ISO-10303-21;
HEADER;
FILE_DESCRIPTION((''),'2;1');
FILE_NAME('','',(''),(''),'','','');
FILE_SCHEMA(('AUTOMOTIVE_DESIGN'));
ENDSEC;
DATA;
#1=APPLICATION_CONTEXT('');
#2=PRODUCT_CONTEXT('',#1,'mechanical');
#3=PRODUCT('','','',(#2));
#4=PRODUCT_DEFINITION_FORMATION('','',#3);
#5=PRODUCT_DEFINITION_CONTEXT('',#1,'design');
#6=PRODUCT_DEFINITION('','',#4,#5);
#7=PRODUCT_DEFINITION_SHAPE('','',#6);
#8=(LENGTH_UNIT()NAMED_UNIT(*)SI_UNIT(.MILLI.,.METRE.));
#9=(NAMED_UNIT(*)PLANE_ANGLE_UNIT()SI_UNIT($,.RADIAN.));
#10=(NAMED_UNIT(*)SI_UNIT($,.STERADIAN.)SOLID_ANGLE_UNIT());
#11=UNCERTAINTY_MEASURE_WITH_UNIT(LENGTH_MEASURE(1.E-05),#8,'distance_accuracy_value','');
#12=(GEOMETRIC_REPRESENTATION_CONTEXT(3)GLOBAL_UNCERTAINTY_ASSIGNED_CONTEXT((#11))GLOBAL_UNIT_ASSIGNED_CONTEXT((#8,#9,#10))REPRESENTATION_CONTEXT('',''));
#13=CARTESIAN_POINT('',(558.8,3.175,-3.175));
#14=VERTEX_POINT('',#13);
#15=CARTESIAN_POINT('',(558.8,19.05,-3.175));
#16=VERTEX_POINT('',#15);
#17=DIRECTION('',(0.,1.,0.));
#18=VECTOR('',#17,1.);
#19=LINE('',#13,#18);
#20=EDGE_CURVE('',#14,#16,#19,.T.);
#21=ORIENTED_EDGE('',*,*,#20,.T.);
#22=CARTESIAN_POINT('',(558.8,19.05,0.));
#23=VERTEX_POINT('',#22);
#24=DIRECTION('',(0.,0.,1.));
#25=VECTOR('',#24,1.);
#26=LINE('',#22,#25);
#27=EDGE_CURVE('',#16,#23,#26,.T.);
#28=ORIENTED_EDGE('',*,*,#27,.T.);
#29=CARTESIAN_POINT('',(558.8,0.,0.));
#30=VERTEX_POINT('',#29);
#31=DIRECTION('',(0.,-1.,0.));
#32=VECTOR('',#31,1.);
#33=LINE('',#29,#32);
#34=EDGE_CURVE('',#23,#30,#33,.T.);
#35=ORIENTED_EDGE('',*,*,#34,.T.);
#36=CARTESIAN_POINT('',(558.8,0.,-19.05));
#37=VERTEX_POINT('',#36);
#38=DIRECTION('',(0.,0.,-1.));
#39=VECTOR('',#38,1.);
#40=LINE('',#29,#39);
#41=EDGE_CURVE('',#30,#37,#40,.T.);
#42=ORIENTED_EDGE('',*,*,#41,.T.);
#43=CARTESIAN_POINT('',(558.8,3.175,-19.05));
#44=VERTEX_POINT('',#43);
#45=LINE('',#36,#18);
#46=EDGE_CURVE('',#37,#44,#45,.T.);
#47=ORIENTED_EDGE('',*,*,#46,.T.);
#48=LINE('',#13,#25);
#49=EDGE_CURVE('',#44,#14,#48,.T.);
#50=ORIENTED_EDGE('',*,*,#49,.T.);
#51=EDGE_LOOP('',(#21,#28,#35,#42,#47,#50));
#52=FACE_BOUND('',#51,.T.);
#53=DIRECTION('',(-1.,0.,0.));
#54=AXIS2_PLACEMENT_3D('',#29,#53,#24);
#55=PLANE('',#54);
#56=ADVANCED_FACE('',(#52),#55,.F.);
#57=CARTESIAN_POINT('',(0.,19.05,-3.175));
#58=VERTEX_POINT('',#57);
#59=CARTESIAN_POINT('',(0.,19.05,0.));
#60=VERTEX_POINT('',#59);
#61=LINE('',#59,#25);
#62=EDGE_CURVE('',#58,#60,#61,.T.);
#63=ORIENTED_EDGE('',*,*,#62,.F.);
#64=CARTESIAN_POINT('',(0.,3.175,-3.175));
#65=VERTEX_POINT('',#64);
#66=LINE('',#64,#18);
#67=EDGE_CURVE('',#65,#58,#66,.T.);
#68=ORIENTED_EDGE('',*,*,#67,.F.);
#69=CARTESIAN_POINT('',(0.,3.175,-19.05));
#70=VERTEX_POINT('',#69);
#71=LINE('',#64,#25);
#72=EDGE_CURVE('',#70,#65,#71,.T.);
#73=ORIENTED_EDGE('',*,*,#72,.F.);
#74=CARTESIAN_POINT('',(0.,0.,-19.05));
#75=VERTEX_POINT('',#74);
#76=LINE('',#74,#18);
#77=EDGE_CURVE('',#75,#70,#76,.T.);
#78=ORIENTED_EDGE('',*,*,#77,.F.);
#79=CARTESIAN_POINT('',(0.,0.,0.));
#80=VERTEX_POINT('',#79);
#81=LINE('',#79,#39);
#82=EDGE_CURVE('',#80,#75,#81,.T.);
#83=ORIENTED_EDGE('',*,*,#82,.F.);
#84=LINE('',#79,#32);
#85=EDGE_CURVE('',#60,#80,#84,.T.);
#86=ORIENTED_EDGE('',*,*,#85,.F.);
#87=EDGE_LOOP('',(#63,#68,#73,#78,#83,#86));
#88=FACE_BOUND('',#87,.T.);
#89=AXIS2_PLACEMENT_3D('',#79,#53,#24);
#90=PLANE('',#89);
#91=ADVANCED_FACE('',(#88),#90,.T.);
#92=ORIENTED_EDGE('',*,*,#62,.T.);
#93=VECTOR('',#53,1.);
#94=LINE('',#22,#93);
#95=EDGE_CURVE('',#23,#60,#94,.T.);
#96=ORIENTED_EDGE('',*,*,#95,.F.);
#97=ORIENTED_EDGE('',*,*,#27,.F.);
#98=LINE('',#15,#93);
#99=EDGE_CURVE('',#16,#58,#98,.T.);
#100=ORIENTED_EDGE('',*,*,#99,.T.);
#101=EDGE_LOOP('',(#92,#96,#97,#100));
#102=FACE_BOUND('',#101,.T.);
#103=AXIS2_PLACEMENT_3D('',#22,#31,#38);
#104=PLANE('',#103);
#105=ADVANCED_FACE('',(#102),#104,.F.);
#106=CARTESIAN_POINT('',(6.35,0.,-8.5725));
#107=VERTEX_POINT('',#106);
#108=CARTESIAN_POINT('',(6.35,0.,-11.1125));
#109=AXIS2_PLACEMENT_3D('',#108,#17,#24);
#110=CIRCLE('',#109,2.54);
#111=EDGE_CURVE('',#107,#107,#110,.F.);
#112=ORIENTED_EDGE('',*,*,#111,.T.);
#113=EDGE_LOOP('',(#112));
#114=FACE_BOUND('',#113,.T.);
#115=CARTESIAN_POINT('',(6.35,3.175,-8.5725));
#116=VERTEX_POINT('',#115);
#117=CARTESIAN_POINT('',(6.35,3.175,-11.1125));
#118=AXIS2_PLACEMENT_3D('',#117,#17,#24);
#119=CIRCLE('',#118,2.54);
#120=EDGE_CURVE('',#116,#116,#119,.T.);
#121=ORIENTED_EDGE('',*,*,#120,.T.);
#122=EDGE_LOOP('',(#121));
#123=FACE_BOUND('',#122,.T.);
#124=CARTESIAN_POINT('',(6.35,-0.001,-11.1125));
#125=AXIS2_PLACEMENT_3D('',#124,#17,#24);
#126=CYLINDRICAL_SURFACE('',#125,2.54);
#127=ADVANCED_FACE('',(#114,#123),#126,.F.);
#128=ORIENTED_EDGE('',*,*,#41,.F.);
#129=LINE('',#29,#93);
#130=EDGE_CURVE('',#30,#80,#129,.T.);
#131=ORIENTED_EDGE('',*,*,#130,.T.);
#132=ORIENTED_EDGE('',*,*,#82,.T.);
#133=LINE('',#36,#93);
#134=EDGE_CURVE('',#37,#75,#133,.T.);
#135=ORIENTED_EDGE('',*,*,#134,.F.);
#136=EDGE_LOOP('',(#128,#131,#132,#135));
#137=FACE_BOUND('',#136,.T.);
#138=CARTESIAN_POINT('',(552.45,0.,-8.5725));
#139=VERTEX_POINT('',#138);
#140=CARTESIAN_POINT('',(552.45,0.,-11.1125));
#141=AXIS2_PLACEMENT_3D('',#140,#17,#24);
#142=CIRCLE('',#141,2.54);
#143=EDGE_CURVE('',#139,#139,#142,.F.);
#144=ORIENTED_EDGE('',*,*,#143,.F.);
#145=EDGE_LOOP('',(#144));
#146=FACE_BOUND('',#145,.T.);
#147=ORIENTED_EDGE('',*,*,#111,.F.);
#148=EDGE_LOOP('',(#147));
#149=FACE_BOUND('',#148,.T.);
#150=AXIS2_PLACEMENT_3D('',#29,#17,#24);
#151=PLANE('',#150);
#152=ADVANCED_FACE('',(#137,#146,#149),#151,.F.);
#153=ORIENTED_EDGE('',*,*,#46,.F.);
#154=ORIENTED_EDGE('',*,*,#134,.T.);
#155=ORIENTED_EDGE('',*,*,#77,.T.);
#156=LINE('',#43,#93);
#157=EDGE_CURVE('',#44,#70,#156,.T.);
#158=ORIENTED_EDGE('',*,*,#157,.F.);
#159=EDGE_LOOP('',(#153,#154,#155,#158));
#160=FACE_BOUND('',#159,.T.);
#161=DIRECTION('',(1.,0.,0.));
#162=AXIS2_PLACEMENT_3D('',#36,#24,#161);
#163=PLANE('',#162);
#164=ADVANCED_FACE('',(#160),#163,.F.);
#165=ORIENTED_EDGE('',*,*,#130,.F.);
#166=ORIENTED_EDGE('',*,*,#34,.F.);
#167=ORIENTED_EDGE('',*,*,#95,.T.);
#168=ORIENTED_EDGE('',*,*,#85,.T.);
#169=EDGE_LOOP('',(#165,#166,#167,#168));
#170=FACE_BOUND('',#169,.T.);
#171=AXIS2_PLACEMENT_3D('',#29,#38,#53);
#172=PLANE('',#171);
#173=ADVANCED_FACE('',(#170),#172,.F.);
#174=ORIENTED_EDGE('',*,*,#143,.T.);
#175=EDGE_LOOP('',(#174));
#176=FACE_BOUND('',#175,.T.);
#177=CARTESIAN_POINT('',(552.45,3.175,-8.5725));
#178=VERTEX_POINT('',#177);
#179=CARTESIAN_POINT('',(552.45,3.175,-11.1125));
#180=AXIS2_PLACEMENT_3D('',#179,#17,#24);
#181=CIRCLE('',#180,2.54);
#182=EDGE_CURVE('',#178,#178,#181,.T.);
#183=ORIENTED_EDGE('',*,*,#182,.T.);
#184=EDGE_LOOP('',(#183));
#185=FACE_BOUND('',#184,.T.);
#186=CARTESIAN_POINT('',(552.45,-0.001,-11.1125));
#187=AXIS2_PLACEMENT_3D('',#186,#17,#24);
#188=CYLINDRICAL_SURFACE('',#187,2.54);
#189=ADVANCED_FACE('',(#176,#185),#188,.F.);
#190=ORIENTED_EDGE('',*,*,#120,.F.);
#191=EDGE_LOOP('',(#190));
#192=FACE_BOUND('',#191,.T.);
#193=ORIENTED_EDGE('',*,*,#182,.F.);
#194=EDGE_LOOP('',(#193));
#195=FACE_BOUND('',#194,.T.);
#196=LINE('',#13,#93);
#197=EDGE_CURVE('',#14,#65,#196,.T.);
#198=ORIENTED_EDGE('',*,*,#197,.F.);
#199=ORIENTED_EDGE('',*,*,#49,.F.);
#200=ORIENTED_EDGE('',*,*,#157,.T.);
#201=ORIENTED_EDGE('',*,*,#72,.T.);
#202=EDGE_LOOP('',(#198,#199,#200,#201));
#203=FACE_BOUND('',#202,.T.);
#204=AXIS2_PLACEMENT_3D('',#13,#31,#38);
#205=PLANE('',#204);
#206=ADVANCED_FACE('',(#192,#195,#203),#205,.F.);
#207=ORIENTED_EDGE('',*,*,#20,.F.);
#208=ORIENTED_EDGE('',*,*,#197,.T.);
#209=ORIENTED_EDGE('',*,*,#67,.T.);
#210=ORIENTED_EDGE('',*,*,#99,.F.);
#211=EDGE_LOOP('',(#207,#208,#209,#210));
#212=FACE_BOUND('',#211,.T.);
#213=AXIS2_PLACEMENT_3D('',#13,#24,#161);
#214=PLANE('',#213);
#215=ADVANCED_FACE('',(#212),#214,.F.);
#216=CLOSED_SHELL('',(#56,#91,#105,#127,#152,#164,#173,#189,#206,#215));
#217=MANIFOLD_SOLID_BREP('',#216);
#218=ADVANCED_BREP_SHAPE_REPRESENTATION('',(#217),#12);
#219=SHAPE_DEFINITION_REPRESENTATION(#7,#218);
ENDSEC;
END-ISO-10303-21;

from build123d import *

# Parameters (mm, degrees)
BOSS_EXTRUDE1_DEPTH = 558.8
CUT_EXTRUDE1_REACH  = 5.175
SKETCH2_R           = 2.54


with BuildPart() as part:
    # Sketch1 → Boss-Extrude1 (new body)
    with BuildSketch(Plane(origin=(0, 0, 0), x_dir=(0, 0, -1), z_dir=(1, 0, 0))):
        Polygon((3.175, 3.175), (3.175, 19.05), (0, 19.05), (0, 0), (19.05, 0), (19.05, 3.175), align=None)
    extrude(amount=BOSS_EXTRUDE1_DEPTH)

    # Sketch2 → Cut-Extrude1 (cut, up to next)
    with BuildSketch(Plane(origin=(0, 3.175, 0), x_dir=(1, 0, 0), z_dir=(0, 1, 0)), mode=Mode.PRIVATE) as cut_extrude1_sk1:
        with Locations((552.45, 11.1125)):
            Circle(SKETCH2_R)
    cut_extrude1_tool1 = extrude(cut_extrude1_sk1.sketch, amount=-CUT_EXTRUDE1_REACH, mode=Mode.PRIVATE) & part.part
    add(cut_extrude1_tool1.solids().sort_by_distance((552.45, 3.175, -11.1125))[0], mode=Mode.SUBTRACT)
    # Sketch2 → Cut-Extrude1 (cut, up to next)
    with BuildSketch(Plane(origin=(0, 3.175, 0), x_dir=(1, 0, 0), z_dir=(0, 1, 0)), mode=Mode.PRIVATE) as cut_extrude1_sk2:
        with Locations((6.35, 11.1125)):
            Circle(SKETCH2_R)
    cut_extrude1_tool2 = extrude(cut_extrude1_sk2.sketch, amount=-CUT_EXTRUDE1_REACH, mode=Mode.PRIVATE) & part.part
    add(cut_extrude1_tool2.solids().sort_by_distance((6.35, 3.175, -11.1125))[0], mode=Mode.SUBTRACT)


solid = part.part
